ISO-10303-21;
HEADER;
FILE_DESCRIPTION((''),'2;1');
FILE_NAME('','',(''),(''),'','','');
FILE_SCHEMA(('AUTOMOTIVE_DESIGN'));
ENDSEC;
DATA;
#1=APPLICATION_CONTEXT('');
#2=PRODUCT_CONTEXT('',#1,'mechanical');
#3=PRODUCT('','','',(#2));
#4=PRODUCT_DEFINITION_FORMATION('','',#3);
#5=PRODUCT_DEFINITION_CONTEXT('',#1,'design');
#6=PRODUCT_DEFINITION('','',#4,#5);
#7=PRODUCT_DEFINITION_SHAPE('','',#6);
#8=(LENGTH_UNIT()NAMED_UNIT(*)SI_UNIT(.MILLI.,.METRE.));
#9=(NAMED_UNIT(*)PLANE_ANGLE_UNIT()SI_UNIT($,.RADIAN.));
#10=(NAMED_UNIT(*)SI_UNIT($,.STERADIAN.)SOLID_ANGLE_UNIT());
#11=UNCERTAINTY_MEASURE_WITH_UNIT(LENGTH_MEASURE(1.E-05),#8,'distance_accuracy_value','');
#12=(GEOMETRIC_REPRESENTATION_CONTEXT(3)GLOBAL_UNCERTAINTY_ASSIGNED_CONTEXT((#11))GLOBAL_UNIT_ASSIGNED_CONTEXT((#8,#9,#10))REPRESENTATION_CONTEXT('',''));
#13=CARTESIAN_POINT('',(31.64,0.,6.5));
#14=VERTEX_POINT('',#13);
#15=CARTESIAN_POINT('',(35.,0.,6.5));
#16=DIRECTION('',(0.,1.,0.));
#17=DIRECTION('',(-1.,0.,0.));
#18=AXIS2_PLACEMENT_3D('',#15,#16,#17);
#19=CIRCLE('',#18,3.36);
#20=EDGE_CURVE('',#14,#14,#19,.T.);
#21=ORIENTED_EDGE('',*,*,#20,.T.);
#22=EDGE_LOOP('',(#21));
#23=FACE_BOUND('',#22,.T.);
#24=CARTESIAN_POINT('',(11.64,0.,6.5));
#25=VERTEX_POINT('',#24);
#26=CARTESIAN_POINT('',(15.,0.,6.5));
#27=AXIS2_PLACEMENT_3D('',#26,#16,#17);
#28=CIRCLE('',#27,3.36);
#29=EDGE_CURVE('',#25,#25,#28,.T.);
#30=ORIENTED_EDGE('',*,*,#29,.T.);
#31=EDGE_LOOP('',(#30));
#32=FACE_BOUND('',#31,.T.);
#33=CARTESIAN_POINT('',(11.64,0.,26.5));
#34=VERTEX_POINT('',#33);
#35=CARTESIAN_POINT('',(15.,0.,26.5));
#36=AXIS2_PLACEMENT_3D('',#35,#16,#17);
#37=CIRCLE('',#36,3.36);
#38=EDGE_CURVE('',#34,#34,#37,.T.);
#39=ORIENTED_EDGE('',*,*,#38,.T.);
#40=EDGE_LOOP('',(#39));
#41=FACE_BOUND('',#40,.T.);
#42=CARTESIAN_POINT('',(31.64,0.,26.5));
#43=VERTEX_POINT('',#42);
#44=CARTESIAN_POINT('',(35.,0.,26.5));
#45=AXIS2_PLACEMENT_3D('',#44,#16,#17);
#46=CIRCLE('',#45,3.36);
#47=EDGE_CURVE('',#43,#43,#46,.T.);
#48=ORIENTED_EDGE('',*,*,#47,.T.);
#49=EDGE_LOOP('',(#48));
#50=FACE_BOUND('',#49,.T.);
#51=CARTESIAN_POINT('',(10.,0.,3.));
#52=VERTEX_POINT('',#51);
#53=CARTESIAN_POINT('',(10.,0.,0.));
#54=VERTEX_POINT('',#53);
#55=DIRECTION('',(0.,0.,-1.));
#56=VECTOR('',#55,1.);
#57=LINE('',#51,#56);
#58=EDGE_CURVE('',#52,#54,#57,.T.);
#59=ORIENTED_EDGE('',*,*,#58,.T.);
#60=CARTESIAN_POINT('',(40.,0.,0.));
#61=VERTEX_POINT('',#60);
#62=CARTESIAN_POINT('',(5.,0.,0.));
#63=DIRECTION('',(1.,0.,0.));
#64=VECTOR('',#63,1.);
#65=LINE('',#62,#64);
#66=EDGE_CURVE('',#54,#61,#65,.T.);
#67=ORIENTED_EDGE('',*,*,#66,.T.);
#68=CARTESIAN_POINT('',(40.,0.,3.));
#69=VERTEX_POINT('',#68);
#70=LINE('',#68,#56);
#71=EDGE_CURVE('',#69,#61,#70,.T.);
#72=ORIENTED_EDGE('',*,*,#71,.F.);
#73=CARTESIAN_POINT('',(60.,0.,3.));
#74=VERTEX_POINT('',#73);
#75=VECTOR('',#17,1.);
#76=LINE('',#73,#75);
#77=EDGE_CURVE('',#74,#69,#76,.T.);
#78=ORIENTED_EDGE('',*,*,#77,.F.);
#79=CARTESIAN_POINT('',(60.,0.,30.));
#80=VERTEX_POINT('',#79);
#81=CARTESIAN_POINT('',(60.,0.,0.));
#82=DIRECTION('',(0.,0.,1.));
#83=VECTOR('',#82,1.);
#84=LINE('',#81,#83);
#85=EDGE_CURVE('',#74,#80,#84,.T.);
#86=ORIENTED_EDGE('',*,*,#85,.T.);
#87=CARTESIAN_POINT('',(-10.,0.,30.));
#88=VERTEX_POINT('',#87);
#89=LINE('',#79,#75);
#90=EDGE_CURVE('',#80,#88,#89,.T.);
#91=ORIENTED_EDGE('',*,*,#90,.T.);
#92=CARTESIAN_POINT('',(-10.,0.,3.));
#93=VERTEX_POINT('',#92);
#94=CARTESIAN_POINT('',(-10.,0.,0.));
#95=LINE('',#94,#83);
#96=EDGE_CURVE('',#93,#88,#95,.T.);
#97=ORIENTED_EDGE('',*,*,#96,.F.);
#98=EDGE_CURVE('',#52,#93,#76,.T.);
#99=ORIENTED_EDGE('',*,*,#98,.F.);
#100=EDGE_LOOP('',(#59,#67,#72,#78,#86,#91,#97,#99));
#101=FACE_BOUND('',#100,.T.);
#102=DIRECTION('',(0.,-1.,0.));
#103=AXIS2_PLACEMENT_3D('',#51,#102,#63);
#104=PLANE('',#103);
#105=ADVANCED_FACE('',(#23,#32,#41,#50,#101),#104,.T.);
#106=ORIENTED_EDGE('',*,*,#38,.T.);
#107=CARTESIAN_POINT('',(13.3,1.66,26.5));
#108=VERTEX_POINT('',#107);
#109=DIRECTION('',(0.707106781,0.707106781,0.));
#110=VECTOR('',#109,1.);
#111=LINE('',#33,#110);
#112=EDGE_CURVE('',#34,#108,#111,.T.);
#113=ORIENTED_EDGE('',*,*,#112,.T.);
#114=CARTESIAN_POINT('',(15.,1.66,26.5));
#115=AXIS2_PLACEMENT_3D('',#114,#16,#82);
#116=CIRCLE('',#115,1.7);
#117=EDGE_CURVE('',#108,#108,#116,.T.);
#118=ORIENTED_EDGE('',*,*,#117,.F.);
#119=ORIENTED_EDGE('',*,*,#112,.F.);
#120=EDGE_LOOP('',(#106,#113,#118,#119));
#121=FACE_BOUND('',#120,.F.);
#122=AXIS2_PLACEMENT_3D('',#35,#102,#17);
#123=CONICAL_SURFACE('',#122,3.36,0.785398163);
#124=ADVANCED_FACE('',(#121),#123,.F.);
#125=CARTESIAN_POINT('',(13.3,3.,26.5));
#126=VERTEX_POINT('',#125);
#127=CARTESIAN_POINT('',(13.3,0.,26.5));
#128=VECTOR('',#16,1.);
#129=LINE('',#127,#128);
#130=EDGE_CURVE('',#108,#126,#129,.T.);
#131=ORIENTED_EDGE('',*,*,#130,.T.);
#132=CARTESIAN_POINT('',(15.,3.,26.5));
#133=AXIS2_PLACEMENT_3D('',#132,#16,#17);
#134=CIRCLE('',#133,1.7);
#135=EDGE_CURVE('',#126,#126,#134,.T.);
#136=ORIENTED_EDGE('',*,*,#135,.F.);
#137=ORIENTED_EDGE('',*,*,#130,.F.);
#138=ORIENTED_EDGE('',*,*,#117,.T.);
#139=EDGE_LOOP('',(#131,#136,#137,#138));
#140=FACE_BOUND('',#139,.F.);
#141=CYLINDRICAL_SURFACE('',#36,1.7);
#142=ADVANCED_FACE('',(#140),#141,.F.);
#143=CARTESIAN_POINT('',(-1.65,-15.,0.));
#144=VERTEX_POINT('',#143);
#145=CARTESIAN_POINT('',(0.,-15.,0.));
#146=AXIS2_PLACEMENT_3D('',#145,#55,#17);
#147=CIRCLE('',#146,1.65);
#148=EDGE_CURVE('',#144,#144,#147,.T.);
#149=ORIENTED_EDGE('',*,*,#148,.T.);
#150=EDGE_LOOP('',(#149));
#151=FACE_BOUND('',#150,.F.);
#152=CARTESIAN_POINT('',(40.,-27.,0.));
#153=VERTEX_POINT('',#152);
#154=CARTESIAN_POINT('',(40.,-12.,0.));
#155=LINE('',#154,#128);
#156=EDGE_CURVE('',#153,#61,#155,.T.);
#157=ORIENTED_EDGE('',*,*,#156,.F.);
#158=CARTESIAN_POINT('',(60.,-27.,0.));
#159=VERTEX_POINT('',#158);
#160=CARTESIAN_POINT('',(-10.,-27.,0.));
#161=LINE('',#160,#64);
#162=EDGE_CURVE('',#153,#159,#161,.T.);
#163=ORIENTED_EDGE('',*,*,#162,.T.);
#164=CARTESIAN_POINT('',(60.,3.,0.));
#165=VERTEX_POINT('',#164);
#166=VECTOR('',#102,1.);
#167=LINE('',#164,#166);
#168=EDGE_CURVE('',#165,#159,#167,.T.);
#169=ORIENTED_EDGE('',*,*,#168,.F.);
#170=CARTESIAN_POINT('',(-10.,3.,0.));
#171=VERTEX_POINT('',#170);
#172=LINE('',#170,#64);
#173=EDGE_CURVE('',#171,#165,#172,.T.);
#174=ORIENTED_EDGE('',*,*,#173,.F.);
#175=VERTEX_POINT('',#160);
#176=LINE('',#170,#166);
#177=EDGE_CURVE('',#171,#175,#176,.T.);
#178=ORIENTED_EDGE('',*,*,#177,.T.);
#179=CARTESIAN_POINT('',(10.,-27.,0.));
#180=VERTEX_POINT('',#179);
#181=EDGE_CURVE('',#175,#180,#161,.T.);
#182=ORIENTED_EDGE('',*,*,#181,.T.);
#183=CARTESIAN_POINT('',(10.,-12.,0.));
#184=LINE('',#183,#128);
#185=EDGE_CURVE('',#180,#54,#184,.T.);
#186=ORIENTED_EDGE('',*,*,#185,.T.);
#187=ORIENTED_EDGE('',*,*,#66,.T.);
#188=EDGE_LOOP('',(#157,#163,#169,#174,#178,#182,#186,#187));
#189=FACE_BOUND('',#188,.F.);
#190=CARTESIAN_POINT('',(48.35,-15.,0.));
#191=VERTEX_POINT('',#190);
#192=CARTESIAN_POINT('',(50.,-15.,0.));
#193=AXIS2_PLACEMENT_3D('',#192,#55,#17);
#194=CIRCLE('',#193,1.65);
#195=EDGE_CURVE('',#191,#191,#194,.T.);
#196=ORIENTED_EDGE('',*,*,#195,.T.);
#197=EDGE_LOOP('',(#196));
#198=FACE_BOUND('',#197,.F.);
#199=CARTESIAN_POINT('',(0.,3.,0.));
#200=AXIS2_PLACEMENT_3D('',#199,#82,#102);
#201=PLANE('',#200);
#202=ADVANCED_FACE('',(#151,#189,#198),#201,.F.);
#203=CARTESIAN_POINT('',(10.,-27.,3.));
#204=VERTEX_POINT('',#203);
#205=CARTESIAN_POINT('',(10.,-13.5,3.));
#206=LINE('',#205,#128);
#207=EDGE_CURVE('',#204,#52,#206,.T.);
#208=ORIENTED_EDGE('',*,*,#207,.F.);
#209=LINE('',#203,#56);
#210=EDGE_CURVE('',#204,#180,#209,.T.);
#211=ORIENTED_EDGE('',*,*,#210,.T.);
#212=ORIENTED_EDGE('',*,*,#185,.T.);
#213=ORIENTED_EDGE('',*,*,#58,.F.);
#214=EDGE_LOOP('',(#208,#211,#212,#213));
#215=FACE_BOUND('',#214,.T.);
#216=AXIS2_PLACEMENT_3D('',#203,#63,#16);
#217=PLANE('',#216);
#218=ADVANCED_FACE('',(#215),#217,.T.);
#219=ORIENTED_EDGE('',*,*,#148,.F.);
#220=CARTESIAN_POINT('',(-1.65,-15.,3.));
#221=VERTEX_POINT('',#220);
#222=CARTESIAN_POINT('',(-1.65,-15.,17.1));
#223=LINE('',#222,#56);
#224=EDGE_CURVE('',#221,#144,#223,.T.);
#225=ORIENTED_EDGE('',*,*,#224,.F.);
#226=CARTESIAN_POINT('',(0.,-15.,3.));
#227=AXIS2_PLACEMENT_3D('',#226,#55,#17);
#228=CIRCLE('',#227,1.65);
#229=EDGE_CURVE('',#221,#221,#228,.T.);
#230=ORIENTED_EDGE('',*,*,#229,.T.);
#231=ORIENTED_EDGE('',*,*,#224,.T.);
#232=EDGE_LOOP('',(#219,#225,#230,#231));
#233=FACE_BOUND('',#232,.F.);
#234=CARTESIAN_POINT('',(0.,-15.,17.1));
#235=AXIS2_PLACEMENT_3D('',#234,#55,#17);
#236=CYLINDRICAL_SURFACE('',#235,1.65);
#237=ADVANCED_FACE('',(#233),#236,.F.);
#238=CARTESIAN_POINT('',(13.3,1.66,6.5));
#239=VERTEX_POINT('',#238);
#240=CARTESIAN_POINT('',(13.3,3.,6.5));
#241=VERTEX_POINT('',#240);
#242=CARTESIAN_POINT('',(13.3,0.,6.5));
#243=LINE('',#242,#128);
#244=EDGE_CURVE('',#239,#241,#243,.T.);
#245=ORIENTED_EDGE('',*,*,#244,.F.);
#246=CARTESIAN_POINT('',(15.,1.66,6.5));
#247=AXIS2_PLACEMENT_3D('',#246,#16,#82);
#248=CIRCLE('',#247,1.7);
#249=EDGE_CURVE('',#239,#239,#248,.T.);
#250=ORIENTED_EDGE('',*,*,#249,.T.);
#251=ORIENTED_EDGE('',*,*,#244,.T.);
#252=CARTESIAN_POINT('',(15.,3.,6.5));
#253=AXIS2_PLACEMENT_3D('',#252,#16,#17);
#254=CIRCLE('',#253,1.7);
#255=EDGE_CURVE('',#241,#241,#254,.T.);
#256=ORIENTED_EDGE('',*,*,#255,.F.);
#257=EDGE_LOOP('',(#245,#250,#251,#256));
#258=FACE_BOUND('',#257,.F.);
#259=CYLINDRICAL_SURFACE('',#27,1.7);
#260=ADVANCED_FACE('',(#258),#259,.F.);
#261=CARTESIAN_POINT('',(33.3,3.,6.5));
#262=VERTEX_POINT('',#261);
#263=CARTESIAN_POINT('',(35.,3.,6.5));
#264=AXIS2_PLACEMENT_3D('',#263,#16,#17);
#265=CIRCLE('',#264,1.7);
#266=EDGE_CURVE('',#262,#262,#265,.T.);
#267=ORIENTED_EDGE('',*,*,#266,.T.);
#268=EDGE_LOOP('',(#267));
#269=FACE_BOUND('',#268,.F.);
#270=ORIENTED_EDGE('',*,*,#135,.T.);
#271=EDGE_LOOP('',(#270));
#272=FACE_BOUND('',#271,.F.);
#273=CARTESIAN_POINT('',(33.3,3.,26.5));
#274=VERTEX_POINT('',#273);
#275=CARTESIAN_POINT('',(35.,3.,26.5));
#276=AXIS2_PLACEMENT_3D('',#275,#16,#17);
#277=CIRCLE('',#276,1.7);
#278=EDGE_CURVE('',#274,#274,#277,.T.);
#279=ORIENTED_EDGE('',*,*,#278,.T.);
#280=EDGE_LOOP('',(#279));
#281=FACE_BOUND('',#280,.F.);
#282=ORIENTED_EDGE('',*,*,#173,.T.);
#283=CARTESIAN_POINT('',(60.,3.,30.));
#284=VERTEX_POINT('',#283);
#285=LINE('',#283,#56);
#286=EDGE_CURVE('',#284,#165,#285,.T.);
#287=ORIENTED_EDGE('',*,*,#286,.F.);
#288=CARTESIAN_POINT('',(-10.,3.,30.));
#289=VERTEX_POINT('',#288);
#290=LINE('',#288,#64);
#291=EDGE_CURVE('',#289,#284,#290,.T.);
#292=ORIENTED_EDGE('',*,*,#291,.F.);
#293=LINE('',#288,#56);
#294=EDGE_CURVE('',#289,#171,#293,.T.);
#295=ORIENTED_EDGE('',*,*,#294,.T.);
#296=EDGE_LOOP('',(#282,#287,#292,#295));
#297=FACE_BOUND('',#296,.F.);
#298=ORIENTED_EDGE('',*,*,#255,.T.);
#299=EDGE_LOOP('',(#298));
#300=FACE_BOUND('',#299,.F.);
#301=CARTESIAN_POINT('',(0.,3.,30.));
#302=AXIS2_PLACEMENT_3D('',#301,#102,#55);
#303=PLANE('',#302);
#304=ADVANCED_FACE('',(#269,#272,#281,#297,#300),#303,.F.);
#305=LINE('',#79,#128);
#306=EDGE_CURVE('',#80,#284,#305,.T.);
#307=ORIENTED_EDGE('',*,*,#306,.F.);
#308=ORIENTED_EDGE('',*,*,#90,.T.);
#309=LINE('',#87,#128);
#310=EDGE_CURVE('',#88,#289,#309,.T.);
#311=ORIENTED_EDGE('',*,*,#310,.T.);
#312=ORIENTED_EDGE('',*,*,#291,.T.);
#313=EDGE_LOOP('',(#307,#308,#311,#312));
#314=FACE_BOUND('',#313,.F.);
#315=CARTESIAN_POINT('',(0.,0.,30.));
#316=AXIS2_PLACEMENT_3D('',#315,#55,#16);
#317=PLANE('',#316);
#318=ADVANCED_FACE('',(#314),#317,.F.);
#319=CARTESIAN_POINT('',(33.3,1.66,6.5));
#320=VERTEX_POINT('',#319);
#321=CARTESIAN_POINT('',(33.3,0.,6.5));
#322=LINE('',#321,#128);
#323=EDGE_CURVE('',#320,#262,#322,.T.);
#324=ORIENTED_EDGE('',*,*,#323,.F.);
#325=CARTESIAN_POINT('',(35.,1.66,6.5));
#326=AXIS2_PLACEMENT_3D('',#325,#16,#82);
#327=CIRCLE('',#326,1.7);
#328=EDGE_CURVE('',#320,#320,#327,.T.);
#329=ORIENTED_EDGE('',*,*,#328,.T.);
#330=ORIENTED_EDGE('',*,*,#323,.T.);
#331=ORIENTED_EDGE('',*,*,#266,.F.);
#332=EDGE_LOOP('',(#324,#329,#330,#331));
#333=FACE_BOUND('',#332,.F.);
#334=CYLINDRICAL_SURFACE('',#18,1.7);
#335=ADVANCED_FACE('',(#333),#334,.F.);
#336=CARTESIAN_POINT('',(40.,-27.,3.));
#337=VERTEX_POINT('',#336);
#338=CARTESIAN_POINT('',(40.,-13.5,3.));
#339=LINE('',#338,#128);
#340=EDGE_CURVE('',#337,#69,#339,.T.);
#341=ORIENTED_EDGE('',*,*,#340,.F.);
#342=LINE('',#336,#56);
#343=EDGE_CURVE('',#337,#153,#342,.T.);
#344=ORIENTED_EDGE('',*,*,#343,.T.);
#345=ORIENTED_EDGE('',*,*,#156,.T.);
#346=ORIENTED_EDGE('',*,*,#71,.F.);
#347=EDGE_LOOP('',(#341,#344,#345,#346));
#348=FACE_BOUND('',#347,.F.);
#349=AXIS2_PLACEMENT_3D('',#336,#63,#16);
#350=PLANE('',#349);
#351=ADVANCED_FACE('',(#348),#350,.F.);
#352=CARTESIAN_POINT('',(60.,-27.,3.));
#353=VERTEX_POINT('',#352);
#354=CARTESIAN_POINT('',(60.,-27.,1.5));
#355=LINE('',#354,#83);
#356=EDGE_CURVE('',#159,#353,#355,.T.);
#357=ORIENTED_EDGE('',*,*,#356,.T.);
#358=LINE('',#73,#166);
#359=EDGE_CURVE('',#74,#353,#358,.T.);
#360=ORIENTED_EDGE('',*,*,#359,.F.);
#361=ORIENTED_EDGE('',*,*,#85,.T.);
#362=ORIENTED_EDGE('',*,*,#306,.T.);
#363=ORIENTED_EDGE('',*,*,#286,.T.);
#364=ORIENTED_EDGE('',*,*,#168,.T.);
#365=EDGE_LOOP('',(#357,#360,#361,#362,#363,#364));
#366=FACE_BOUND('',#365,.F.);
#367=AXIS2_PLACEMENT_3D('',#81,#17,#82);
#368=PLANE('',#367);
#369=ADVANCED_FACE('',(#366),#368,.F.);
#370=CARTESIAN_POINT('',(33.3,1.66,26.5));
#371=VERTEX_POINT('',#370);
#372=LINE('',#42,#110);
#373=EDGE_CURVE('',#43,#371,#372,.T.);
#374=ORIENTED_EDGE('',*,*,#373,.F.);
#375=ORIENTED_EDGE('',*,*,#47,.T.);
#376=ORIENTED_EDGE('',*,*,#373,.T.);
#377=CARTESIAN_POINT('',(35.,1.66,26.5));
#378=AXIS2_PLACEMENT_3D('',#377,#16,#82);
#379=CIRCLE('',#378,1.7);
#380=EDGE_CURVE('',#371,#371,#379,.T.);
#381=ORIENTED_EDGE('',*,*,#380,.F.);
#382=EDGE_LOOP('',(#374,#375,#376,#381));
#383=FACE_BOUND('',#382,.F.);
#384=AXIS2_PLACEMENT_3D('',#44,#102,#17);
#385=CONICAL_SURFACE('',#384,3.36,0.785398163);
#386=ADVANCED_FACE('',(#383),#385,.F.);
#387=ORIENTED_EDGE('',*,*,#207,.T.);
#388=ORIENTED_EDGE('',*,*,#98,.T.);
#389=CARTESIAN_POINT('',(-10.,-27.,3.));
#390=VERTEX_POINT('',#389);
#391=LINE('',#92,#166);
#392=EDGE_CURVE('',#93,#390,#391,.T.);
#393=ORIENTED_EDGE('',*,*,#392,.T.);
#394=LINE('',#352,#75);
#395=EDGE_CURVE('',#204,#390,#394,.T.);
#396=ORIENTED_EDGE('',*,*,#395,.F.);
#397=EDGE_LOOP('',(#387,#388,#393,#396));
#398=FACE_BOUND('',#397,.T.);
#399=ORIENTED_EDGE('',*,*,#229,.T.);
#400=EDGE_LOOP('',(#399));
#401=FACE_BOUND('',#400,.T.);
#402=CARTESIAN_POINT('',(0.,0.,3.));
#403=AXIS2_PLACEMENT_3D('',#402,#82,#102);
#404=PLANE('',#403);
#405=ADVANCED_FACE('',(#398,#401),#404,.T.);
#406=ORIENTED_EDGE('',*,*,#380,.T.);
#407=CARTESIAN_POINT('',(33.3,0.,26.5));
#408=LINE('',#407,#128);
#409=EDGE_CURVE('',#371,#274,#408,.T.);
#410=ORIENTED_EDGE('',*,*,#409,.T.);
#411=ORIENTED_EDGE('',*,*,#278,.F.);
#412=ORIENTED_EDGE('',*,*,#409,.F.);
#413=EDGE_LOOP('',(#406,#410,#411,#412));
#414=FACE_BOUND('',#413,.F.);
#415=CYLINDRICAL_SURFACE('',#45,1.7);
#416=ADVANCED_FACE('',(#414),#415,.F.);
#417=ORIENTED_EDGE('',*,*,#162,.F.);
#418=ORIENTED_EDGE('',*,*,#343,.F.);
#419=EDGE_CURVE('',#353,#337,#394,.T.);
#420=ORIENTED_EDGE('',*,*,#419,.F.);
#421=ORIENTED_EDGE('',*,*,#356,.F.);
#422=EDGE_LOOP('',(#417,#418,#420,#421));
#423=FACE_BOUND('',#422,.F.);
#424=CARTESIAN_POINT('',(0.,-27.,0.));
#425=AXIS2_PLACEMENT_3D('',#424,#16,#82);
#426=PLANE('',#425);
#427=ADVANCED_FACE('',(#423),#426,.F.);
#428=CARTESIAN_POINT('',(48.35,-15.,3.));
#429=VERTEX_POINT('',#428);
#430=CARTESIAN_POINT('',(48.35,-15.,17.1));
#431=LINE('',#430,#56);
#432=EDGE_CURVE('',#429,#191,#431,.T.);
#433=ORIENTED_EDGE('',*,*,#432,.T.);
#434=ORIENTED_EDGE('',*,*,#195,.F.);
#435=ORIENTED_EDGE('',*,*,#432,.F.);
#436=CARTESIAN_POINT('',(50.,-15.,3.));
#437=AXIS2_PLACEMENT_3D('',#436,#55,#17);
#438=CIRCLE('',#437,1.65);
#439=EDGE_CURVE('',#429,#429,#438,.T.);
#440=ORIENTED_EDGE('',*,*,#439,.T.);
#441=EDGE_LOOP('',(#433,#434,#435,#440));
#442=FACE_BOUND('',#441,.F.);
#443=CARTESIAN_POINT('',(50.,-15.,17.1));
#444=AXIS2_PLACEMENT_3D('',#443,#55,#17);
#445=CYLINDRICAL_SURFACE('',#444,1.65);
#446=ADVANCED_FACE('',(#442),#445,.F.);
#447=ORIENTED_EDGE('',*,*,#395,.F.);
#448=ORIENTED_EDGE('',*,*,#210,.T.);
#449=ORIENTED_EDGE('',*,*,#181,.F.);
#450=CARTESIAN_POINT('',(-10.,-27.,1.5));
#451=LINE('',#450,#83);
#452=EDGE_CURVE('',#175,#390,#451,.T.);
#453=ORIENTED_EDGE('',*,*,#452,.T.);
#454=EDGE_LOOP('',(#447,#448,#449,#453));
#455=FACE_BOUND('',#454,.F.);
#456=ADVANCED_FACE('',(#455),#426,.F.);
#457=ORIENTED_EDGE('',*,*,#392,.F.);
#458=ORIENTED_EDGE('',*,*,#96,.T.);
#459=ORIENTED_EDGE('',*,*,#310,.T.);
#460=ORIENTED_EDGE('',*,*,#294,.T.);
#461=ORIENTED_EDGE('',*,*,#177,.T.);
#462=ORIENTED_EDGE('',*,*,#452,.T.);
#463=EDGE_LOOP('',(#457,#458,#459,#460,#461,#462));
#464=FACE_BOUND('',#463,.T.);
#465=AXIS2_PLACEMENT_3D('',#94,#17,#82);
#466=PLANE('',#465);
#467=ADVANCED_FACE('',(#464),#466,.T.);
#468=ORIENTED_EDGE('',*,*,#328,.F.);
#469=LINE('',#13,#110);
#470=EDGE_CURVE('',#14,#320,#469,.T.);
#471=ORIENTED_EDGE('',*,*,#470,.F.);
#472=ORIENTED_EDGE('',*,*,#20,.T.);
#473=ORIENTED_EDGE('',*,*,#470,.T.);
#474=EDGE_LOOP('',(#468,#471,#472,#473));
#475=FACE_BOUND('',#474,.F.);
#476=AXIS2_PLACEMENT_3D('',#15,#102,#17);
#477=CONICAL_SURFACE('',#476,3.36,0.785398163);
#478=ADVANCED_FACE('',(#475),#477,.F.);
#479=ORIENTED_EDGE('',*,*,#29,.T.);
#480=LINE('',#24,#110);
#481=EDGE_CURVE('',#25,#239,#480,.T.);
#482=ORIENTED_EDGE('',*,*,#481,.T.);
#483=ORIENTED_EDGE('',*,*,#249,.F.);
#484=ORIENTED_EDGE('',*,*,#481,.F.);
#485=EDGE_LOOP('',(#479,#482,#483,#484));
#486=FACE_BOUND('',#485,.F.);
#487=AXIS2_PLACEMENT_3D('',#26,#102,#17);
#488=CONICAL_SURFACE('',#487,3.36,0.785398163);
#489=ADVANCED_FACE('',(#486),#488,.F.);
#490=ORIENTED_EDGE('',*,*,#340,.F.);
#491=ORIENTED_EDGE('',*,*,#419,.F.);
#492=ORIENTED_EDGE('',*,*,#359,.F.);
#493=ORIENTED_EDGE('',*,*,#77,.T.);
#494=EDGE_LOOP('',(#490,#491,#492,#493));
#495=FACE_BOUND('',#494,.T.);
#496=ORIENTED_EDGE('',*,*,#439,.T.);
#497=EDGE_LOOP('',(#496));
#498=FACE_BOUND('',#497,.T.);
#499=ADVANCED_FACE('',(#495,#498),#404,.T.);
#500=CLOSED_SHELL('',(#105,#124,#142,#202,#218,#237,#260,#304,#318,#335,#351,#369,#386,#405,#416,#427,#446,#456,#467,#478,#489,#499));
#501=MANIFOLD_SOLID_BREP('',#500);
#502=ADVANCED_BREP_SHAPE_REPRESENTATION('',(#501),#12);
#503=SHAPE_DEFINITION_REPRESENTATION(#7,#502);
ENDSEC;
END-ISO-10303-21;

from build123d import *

# Parameters (mm, degrees)
F0_W           = 50
F0_H           = 27
F1_DEPTH       = 3
F2_D           = 3.4
F2_DEPTH       = 5
F2_CSINK_D     = 6.72
F2_CSINK_ANGLE = 90
F2_TIP         = 1.0214630523
F3_DEPTH       = 3
F0_H_2         = 3
F4_DEPTH       = 27
F5_DEPTH       = 10
F6_DEPTH       = 10
F7_W           = 30
F7_H           = 27
F8_DEPTH       = 7
F9_D           = 3.3
F9_DEPTH       = 14.1
F9_TIP         = 0.9914200214


with BuildPart() as f1:
    # F0 (on Front) → F1 (new body)
    with BuildSketch(Plane.XZ):
        with Locations((25, 16.5)):
            Rectangle(F0_W, F0_H)
    extrude(amount=-F1_DEPTH)

    # F2
    with Locations(Plane.XZ):
        with Locations((35, 26.5), (15, 26.5), (15, 6.5), (35, 6.5)):
            CounterSinkHole(F2_D / 2, F2_CSINK_D / 2, depth=F2_DEPTH, counter_sink_angle=F2_CSINK_ANGLE)
            with Locations((0, 0, -(F2_DEPTH + F2_TIP / 2))):  # 118° drill point
                Cone(0, F2_D / 2, F2_TIP, mode=Mode.SUBTRACT)

    # F3 (add): a face of the model
    f3_faces = [f1.faces().sort_by_distance(p)[0] for p in [
        (25, 1.5, 3),
    ]]
    extrude(f3_faces, amount=F3_DEPTH)

    # F0 (on Front) → F4 (join)
    with BuildSketch(Plane.XZ):
        with Locations((25, 1.5)):
            Rectangle(F0_W, F0_H_2)
    extrude(amount=F4_DEPTH)

    # F5 (add): a face of the model
    f5_faces = [f1.faces().sort_by_distance(p)[0] for p in [
        (50, 1.5, 29.5757359313),
    ]]
    extrude(f5_faces, amount=F5_DEPTH)

    # F6 (add): a face of the model
    f6_faces = [f1.faces().sort_by_distance(p)[0] for p in [
        (0, 1.5, 29.5757359313),
    ]]
    extrude(f6_faces, amount=F6_DEPTH)

    # F7 (on face) → F8 (cut)
    with BuildSketch(Plane.XY.offset(3)):
        with Locations((25, -13.5)):
            Rectangle(F7_W, F7_H)
    extrude(amount=-F8_DEPTH, mode=Mode.SUBTRACT)

    # F9
    with Locations(Plane.XY.offset(3)):
        with Locations((0, -15), (50, -15)):
            Hole(F9_D / 2, depth=F9_DEPTH)
            with Locations((0, 0, -(F9_DEPTH + F9_TIP / 2))):  # 118° drill point
                Cone(0, F9_D / 2, F9_TIP, mode=Mode.SUBTRACT)


solid = f1.part
